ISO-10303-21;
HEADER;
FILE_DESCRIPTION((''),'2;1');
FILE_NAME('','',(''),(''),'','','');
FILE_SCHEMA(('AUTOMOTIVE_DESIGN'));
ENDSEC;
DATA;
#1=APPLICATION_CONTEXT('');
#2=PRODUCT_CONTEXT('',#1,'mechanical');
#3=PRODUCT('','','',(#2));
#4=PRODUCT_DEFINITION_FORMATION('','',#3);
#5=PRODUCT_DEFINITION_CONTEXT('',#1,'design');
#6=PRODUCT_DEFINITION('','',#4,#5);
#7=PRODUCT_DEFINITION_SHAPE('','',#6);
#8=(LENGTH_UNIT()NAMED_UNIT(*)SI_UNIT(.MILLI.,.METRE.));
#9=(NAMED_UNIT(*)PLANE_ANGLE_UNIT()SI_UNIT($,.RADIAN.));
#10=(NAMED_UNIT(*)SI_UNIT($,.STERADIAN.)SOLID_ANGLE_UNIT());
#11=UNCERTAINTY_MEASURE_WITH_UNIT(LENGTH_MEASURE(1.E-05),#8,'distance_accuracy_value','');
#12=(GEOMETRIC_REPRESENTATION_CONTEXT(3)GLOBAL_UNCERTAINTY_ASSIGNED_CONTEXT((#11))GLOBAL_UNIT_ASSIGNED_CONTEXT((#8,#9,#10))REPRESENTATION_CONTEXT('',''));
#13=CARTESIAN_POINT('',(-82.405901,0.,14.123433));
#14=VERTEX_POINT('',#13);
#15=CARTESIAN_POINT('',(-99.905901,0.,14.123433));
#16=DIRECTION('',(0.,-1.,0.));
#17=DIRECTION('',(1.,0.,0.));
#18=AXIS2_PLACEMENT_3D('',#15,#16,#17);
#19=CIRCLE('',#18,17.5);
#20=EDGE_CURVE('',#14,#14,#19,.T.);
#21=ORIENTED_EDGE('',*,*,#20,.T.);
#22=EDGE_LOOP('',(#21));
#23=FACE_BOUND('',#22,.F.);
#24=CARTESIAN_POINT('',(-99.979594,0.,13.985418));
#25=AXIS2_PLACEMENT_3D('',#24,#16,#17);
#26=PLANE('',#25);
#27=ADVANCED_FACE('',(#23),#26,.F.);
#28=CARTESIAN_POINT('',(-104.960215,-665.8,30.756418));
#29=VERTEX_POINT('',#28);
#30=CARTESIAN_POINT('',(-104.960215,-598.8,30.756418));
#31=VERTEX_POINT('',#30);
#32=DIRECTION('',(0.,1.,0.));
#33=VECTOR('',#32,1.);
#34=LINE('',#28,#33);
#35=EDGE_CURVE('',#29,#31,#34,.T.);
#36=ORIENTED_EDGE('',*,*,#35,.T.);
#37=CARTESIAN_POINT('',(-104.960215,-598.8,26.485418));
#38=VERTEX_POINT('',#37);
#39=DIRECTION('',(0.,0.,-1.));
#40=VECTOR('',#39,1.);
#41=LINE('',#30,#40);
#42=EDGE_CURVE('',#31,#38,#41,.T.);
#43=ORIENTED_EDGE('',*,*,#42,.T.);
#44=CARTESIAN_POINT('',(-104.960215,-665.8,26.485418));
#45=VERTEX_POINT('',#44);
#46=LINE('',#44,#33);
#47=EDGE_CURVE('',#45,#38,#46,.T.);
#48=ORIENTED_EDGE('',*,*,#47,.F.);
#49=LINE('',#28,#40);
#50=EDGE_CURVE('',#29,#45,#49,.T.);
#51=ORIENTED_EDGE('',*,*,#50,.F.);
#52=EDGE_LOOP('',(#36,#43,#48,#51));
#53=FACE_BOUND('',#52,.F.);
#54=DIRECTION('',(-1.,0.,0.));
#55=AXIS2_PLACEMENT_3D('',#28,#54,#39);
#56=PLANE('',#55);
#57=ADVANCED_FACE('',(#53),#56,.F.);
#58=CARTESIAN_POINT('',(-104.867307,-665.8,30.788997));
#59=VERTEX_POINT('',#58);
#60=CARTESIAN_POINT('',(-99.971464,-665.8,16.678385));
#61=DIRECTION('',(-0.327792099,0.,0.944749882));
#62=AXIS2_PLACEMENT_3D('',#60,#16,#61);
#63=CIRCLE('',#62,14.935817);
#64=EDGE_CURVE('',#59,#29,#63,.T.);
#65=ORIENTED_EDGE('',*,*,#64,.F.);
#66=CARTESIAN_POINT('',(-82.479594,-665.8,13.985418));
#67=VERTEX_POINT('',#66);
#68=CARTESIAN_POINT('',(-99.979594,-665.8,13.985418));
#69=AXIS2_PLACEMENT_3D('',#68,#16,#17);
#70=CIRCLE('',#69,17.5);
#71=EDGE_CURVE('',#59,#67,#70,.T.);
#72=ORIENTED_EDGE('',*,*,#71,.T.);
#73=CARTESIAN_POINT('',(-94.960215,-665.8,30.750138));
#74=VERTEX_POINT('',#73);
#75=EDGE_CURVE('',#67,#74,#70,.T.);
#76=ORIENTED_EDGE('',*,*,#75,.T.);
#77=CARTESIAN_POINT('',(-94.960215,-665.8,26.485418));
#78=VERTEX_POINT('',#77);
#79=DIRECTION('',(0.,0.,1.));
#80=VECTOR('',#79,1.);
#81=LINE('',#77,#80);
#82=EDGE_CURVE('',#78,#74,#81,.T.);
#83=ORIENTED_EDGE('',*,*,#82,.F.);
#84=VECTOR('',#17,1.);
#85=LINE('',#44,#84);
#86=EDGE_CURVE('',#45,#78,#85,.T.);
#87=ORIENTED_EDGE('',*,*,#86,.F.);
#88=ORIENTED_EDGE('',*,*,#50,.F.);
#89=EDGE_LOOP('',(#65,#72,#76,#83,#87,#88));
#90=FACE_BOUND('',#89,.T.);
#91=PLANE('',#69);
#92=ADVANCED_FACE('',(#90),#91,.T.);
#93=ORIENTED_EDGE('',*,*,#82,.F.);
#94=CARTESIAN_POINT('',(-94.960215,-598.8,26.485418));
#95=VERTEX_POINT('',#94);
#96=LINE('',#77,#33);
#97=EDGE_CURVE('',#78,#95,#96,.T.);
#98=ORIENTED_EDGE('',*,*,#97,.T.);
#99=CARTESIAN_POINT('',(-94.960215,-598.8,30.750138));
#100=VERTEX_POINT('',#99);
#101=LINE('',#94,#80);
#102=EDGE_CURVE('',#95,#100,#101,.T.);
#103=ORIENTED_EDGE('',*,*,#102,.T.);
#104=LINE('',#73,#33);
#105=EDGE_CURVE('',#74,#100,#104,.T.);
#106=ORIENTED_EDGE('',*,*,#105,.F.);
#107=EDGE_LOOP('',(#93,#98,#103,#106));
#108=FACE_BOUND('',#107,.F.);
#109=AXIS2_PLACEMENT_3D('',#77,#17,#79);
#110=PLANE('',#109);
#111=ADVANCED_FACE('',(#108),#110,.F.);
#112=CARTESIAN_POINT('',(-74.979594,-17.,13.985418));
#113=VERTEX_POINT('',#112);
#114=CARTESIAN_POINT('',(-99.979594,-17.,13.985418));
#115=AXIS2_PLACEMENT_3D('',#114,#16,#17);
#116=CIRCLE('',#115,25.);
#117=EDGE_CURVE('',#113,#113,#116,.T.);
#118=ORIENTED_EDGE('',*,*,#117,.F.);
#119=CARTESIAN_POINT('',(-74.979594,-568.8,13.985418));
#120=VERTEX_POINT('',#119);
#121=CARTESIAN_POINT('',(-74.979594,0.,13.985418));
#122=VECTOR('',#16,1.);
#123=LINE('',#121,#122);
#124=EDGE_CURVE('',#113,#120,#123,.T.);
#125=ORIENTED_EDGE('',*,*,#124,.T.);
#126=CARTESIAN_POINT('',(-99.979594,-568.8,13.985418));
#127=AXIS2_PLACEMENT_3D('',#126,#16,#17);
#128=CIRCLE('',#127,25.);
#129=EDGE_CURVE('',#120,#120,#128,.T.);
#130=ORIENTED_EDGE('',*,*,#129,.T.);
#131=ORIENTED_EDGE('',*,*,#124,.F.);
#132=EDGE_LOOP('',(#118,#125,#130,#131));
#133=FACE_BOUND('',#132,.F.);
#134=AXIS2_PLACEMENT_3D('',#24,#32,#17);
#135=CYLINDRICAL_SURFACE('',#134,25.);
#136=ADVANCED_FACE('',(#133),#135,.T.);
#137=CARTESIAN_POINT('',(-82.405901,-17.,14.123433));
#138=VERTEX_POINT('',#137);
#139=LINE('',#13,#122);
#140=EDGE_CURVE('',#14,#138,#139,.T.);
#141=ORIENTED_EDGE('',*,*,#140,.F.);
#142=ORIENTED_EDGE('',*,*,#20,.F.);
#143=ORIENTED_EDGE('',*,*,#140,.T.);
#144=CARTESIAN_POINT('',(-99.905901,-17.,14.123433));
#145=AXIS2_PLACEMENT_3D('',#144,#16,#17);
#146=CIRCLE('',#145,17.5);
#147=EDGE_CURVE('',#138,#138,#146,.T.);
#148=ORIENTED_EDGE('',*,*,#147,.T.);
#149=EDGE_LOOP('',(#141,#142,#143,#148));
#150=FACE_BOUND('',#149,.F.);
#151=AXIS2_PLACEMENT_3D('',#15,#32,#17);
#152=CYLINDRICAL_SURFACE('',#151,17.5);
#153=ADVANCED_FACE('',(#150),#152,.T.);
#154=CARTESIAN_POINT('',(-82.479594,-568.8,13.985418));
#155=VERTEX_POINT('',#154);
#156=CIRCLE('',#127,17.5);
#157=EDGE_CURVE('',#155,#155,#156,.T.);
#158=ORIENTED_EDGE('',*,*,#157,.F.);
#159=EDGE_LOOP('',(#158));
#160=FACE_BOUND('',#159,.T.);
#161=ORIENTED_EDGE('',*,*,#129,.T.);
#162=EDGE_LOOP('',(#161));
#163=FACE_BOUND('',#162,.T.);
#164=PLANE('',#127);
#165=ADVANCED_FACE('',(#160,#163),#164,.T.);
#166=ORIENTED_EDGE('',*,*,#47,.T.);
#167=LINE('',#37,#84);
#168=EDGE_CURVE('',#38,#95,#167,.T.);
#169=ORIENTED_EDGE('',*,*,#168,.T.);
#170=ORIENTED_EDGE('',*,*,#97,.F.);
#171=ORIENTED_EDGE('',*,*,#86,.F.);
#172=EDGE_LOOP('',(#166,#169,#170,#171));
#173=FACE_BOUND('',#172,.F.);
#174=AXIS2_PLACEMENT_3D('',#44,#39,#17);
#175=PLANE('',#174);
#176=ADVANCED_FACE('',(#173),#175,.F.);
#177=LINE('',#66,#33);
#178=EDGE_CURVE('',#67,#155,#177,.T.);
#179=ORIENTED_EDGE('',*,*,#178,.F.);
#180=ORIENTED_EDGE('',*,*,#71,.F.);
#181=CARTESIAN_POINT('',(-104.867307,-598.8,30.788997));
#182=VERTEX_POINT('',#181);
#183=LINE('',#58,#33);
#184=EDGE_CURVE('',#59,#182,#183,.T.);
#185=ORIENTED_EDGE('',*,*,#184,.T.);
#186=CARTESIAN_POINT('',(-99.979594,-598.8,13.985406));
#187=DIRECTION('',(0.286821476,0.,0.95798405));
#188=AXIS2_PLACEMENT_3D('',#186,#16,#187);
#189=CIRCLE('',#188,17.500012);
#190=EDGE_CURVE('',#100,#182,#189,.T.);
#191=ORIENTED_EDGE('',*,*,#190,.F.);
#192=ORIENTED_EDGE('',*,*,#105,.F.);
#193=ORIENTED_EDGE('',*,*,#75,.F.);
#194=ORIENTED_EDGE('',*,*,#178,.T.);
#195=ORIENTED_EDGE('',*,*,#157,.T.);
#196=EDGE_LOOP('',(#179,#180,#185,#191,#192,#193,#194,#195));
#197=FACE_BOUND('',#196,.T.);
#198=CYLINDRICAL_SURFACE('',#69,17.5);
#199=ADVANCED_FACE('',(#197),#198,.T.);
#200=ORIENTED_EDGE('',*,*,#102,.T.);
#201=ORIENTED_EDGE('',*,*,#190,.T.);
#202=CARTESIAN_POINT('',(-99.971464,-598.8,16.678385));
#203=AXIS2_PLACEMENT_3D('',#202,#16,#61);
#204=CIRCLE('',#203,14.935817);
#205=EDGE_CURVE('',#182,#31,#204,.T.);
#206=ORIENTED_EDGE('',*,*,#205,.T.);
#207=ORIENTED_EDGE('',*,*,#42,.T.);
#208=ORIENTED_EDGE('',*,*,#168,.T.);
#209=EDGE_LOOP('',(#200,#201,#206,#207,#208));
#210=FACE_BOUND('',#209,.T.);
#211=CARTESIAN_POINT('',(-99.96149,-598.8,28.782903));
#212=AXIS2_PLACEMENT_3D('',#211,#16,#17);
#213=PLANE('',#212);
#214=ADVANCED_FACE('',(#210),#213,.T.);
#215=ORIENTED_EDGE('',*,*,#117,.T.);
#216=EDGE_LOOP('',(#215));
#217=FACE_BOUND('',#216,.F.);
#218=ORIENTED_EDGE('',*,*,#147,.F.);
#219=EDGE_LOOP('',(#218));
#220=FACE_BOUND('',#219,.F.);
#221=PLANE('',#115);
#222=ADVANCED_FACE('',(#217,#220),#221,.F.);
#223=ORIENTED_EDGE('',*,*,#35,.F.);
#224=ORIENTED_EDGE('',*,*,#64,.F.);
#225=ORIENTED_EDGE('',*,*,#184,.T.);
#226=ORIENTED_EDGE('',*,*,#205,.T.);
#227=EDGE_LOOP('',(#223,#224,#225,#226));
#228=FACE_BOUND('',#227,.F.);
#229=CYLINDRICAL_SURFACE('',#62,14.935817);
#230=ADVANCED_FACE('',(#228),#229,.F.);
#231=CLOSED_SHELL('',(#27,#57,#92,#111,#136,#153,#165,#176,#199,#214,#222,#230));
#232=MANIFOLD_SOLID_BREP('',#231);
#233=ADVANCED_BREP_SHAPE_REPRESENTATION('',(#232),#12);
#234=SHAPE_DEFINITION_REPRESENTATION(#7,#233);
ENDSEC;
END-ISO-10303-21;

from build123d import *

# Parameters (mm, degrees)
F0_R     = 25
F1_DEPTH = 665.8
F2_R     = 25
F2_R_2   = 17.5
F3_DEPTH = 97
F4_R     = 25
F4_R_2   = 17.5
F5_DEPTH = 17
F7_DEPTH = 67


with BuildPart() as f1:
    # F0 (on Front) → F1 (new body)
    with BuildSketch(Plane.XZ):
        with Locations((-99.979594, 13.985418)):
            Circle(F0_R)
    extrude(amount=F1_DEPTH)

    # F2 (on face) → F3 (cut)
    with BuildSketch(Plane.XZ.offset(665.8)):
        with Locations((-99.979594, 13.985418)):
            Circle(F2_R)
        with Locations((-99.979594, 13.985418)):
            Circle(F2_R_2, mode=Mode.SUBTRACT)
    extrude(amount=-F3_DEPTH, mode=Mode.SUBTRACT)

    # F4 (on face) → F5 (cut)
    with BuildSketch(Plane.XZ):
        with Locations((-99.979594, 13.985418)):
            Circle(F4_R)
        with Locations((-99.905901, 14.123433)):
            Circle(F4_R_2, mode=Mode.SUBTRACT)
    extrude(amount=F5_DEPTH, mode=Mode.SUBTRACT)

    # F6 (on face) → F7 (cut)
    with BuildSketch(Plane.XZ.offset(665.8)):
        with BuildLine():
            Line((-104.960215, 30.756418), (-104.960215, 26.485418))
            Line((-104.960215, 26.485418), (-94.960215, 26.485418))
            Line((-94.960215, 26.485418), (-94.960215, 30.750138))
            ThreePointArc((-94.960215, 30.750138), (-99.910954, 31.485283), (-104.867307, 30.788997))
            ThreePointArc((-104.867307, 30.788997), (-104.913788, 30.772784), (-104.960215, 30.756418))
        make_face()
    extrude(amount=-F7_DEPTH, mode=Mode.SUBTRACT)


solid = f1.part
